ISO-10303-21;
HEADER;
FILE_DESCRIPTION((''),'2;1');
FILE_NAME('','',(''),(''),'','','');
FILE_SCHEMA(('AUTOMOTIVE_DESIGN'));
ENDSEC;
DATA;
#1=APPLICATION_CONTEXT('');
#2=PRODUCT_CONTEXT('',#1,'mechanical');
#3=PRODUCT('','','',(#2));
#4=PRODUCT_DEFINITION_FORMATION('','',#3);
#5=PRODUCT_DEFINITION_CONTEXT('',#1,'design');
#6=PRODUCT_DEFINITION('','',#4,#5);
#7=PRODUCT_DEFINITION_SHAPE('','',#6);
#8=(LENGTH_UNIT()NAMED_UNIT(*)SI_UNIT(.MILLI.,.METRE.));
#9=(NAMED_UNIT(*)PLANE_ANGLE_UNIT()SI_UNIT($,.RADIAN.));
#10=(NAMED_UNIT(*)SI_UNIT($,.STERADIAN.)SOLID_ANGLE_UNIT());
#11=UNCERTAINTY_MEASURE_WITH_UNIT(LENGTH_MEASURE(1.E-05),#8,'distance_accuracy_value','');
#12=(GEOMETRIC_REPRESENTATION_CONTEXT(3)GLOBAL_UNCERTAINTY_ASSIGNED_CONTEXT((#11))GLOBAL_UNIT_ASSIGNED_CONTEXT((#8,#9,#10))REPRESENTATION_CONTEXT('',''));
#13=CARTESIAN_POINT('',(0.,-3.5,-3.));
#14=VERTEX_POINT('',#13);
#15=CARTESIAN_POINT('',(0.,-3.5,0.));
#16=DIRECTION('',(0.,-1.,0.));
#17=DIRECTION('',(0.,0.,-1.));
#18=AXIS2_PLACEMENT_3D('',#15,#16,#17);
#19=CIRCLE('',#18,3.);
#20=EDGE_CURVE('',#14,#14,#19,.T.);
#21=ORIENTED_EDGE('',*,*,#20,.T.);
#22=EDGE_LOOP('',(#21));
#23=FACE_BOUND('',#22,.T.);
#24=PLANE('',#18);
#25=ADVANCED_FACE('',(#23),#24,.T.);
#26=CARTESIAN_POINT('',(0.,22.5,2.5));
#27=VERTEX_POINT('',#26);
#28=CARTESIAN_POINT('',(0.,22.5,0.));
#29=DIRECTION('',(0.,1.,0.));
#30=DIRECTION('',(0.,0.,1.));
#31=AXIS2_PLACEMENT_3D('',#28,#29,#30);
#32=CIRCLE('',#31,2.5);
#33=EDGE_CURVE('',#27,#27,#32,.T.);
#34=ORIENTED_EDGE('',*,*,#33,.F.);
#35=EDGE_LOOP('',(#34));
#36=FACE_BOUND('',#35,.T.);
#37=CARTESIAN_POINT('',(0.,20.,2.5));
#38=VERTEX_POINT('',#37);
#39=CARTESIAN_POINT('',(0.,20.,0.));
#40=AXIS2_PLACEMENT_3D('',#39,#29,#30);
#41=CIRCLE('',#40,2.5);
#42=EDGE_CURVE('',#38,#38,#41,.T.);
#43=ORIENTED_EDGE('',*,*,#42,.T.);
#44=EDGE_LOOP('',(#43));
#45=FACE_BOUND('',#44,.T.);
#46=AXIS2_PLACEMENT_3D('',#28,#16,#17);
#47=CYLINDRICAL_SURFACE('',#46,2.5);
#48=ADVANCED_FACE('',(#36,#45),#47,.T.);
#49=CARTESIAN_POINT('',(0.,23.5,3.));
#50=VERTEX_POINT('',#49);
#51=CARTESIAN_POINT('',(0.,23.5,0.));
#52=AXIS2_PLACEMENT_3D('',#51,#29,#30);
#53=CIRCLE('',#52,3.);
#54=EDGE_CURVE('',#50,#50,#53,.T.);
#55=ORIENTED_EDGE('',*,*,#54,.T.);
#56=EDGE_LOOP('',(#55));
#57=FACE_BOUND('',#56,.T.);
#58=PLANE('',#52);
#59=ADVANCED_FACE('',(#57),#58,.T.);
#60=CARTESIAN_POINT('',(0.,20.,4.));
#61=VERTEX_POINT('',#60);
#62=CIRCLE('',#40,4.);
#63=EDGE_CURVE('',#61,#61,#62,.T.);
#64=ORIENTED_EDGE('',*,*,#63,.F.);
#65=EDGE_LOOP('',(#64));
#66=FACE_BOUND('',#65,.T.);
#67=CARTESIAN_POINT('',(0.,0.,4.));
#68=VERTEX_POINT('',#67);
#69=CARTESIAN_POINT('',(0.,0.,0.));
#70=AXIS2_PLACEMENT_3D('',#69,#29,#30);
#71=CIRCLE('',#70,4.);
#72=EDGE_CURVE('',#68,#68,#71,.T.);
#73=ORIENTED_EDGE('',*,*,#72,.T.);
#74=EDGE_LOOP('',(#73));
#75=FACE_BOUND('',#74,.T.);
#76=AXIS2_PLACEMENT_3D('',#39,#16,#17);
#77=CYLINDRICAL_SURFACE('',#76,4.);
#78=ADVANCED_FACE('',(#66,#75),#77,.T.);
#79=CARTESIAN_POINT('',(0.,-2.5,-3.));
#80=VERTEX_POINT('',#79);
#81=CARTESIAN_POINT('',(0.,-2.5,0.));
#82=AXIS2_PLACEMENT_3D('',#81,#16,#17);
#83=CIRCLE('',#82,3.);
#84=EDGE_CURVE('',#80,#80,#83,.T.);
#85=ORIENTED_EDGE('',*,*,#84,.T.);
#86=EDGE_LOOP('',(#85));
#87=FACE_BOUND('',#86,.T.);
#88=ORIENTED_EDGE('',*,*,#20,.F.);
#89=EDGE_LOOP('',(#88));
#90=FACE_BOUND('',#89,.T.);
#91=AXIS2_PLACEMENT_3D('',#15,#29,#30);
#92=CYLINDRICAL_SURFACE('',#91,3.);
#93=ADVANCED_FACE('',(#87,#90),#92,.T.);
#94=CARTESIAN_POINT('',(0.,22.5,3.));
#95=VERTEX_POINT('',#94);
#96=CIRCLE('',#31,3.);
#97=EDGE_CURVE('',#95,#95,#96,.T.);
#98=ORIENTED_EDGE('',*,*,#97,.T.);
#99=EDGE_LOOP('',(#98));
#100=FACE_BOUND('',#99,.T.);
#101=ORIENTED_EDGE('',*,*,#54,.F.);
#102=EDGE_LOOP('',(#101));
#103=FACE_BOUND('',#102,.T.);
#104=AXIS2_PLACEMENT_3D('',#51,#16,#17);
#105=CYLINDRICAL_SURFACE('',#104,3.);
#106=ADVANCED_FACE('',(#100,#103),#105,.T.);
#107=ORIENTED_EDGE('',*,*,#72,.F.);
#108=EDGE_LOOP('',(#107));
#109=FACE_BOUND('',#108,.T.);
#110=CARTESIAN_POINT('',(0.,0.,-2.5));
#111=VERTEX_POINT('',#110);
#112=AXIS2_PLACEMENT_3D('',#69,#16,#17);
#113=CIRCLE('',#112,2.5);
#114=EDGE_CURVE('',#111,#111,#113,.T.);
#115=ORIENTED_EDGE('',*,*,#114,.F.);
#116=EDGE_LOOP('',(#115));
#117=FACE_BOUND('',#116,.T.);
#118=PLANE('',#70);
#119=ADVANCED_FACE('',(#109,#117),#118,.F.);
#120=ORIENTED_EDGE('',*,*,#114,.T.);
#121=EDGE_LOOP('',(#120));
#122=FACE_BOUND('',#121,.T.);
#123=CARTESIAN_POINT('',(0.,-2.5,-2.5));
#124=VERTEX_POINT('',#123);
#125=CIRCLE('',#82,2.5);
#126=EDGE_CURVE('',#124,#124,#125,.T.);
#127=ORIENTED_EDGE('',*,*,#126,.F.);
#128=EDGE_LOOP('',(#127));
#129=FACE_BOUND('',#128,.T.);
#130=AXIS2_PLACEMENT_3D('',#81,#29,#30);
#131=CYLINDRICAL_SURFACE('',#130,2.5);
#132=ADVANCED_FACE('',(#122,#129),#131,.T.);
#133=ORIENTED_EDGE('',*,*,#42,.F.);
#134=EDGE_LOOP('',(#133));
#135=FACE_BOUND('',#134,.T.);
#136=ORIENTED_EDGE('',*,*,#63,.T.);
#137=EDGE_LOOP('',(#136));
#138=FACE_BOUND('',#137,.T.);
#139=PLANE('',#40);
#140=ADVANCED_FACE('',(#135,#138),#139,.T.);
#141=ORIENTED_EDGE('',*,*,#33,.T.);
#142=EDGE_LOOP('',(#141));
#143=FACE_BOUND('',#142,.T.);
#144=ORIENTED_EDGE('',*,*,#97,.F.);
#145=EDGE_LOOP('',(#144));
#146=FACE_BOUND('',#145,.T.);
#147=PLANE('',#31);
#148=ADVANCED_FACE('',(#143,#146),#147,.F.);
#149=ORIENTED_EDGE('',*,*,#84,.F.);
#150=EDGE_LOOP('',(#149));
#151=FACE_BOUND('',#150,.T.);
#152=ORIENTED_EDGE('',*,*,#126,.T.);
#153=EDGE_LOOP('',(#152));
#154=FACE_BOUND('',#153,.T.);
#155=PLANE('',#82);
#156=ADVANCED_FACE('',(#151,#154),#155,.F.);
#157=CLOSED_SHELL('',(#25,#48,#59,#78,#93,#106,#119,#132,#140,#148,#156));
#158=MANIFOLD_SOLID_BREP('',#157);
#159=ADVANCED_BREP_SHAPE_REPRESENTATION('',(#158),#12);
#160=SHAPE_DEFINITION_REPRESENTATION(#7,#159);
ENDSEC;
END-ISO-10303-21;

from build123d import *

# Parameters (mm, degrees)
SKETCH2_R           = 4
BOSS_EXTRUDE2_DEPTH = 20
SKETCH3_R           = 2.5
BOSS_EXTRUDE3_DEPTH = 2.5
SKETCH4_R           = 3
BOSS_EXTRUDE4_DEPTH = 1
BOSS_EXTRUDE5_START = 2.5
SKETCH5_R           = 2.5
BOSS_EXTRUDE5_DEPTH = 2.5
BOSS_EXTRUDE7_START = 1
SKETCH6_R           = 3
BOSS_EXTRUDE7_DEPTH = 1


with BuildPart() as part:
    # Sketch2 → Boss-Extrude2 (new body)
    with BuildSketch(Plane(origin=(0, 0, 0), x_dir=(1, 0, 0), z_dir=(0, 1, 0))):
        with Locations(Location((0, 0, 0), (0, 0, 270))):
            Circle(SKETCH2_R)
    extrude(amount=BOSS_EXTRUDE2_DEPTH)

    # Sketch3 → Boss-Extrude3 (add)
    with BuildSketch(Plane.XZ):
        with Locations(Location((0, 0, 0), (0, 0, 270))):
            Circle(SKETCH3_R)
    extrude(amount=BOSS_EXTRUDE3_DEPTH)

    # Sketch4 → Boss-Extrude4 (add)
    with BuildSketch(Plane.XZ.offset(2.5)):
        with Locations(Location((0, 0, 0), (0, 0, 270))):
            Circle(SKETCH4_R)
    extrude(amount=BOSS_EXTRUDE4_DEPTH)

    # Sketch5 → Boss-Extrude5 (add)
    with BuildSketch(Plane(origin=(0, 20, 0), x_dir=(1, 0, 0), z_dir=(0, 1, 0)).offset(BOSS_EXTRUDE5_START)):
        with Locations(Location((0, 0, 0), (0, 0, 90))):
            Circle(SKETCH5_R)
    extrude(amount=-BOSS_EXTRUDE5_DEPTH)

    # Sketch6 → Boss-Extrude7 (add)
    with BuildSketch(Plane(origin=(0, 22.5, 0), x_dir=(1, 0, 0), z_dir=(0, 1, 0)).offset(BOSS_EXTRUDE7_START)):
        with Locations(Location((0, 0, 0), (0, 0, 90))):
            Circle(SKETCH6_R)
    extrude(amount=-BOSS_EXTRUDE7_DEPTH)


solid = part.part
